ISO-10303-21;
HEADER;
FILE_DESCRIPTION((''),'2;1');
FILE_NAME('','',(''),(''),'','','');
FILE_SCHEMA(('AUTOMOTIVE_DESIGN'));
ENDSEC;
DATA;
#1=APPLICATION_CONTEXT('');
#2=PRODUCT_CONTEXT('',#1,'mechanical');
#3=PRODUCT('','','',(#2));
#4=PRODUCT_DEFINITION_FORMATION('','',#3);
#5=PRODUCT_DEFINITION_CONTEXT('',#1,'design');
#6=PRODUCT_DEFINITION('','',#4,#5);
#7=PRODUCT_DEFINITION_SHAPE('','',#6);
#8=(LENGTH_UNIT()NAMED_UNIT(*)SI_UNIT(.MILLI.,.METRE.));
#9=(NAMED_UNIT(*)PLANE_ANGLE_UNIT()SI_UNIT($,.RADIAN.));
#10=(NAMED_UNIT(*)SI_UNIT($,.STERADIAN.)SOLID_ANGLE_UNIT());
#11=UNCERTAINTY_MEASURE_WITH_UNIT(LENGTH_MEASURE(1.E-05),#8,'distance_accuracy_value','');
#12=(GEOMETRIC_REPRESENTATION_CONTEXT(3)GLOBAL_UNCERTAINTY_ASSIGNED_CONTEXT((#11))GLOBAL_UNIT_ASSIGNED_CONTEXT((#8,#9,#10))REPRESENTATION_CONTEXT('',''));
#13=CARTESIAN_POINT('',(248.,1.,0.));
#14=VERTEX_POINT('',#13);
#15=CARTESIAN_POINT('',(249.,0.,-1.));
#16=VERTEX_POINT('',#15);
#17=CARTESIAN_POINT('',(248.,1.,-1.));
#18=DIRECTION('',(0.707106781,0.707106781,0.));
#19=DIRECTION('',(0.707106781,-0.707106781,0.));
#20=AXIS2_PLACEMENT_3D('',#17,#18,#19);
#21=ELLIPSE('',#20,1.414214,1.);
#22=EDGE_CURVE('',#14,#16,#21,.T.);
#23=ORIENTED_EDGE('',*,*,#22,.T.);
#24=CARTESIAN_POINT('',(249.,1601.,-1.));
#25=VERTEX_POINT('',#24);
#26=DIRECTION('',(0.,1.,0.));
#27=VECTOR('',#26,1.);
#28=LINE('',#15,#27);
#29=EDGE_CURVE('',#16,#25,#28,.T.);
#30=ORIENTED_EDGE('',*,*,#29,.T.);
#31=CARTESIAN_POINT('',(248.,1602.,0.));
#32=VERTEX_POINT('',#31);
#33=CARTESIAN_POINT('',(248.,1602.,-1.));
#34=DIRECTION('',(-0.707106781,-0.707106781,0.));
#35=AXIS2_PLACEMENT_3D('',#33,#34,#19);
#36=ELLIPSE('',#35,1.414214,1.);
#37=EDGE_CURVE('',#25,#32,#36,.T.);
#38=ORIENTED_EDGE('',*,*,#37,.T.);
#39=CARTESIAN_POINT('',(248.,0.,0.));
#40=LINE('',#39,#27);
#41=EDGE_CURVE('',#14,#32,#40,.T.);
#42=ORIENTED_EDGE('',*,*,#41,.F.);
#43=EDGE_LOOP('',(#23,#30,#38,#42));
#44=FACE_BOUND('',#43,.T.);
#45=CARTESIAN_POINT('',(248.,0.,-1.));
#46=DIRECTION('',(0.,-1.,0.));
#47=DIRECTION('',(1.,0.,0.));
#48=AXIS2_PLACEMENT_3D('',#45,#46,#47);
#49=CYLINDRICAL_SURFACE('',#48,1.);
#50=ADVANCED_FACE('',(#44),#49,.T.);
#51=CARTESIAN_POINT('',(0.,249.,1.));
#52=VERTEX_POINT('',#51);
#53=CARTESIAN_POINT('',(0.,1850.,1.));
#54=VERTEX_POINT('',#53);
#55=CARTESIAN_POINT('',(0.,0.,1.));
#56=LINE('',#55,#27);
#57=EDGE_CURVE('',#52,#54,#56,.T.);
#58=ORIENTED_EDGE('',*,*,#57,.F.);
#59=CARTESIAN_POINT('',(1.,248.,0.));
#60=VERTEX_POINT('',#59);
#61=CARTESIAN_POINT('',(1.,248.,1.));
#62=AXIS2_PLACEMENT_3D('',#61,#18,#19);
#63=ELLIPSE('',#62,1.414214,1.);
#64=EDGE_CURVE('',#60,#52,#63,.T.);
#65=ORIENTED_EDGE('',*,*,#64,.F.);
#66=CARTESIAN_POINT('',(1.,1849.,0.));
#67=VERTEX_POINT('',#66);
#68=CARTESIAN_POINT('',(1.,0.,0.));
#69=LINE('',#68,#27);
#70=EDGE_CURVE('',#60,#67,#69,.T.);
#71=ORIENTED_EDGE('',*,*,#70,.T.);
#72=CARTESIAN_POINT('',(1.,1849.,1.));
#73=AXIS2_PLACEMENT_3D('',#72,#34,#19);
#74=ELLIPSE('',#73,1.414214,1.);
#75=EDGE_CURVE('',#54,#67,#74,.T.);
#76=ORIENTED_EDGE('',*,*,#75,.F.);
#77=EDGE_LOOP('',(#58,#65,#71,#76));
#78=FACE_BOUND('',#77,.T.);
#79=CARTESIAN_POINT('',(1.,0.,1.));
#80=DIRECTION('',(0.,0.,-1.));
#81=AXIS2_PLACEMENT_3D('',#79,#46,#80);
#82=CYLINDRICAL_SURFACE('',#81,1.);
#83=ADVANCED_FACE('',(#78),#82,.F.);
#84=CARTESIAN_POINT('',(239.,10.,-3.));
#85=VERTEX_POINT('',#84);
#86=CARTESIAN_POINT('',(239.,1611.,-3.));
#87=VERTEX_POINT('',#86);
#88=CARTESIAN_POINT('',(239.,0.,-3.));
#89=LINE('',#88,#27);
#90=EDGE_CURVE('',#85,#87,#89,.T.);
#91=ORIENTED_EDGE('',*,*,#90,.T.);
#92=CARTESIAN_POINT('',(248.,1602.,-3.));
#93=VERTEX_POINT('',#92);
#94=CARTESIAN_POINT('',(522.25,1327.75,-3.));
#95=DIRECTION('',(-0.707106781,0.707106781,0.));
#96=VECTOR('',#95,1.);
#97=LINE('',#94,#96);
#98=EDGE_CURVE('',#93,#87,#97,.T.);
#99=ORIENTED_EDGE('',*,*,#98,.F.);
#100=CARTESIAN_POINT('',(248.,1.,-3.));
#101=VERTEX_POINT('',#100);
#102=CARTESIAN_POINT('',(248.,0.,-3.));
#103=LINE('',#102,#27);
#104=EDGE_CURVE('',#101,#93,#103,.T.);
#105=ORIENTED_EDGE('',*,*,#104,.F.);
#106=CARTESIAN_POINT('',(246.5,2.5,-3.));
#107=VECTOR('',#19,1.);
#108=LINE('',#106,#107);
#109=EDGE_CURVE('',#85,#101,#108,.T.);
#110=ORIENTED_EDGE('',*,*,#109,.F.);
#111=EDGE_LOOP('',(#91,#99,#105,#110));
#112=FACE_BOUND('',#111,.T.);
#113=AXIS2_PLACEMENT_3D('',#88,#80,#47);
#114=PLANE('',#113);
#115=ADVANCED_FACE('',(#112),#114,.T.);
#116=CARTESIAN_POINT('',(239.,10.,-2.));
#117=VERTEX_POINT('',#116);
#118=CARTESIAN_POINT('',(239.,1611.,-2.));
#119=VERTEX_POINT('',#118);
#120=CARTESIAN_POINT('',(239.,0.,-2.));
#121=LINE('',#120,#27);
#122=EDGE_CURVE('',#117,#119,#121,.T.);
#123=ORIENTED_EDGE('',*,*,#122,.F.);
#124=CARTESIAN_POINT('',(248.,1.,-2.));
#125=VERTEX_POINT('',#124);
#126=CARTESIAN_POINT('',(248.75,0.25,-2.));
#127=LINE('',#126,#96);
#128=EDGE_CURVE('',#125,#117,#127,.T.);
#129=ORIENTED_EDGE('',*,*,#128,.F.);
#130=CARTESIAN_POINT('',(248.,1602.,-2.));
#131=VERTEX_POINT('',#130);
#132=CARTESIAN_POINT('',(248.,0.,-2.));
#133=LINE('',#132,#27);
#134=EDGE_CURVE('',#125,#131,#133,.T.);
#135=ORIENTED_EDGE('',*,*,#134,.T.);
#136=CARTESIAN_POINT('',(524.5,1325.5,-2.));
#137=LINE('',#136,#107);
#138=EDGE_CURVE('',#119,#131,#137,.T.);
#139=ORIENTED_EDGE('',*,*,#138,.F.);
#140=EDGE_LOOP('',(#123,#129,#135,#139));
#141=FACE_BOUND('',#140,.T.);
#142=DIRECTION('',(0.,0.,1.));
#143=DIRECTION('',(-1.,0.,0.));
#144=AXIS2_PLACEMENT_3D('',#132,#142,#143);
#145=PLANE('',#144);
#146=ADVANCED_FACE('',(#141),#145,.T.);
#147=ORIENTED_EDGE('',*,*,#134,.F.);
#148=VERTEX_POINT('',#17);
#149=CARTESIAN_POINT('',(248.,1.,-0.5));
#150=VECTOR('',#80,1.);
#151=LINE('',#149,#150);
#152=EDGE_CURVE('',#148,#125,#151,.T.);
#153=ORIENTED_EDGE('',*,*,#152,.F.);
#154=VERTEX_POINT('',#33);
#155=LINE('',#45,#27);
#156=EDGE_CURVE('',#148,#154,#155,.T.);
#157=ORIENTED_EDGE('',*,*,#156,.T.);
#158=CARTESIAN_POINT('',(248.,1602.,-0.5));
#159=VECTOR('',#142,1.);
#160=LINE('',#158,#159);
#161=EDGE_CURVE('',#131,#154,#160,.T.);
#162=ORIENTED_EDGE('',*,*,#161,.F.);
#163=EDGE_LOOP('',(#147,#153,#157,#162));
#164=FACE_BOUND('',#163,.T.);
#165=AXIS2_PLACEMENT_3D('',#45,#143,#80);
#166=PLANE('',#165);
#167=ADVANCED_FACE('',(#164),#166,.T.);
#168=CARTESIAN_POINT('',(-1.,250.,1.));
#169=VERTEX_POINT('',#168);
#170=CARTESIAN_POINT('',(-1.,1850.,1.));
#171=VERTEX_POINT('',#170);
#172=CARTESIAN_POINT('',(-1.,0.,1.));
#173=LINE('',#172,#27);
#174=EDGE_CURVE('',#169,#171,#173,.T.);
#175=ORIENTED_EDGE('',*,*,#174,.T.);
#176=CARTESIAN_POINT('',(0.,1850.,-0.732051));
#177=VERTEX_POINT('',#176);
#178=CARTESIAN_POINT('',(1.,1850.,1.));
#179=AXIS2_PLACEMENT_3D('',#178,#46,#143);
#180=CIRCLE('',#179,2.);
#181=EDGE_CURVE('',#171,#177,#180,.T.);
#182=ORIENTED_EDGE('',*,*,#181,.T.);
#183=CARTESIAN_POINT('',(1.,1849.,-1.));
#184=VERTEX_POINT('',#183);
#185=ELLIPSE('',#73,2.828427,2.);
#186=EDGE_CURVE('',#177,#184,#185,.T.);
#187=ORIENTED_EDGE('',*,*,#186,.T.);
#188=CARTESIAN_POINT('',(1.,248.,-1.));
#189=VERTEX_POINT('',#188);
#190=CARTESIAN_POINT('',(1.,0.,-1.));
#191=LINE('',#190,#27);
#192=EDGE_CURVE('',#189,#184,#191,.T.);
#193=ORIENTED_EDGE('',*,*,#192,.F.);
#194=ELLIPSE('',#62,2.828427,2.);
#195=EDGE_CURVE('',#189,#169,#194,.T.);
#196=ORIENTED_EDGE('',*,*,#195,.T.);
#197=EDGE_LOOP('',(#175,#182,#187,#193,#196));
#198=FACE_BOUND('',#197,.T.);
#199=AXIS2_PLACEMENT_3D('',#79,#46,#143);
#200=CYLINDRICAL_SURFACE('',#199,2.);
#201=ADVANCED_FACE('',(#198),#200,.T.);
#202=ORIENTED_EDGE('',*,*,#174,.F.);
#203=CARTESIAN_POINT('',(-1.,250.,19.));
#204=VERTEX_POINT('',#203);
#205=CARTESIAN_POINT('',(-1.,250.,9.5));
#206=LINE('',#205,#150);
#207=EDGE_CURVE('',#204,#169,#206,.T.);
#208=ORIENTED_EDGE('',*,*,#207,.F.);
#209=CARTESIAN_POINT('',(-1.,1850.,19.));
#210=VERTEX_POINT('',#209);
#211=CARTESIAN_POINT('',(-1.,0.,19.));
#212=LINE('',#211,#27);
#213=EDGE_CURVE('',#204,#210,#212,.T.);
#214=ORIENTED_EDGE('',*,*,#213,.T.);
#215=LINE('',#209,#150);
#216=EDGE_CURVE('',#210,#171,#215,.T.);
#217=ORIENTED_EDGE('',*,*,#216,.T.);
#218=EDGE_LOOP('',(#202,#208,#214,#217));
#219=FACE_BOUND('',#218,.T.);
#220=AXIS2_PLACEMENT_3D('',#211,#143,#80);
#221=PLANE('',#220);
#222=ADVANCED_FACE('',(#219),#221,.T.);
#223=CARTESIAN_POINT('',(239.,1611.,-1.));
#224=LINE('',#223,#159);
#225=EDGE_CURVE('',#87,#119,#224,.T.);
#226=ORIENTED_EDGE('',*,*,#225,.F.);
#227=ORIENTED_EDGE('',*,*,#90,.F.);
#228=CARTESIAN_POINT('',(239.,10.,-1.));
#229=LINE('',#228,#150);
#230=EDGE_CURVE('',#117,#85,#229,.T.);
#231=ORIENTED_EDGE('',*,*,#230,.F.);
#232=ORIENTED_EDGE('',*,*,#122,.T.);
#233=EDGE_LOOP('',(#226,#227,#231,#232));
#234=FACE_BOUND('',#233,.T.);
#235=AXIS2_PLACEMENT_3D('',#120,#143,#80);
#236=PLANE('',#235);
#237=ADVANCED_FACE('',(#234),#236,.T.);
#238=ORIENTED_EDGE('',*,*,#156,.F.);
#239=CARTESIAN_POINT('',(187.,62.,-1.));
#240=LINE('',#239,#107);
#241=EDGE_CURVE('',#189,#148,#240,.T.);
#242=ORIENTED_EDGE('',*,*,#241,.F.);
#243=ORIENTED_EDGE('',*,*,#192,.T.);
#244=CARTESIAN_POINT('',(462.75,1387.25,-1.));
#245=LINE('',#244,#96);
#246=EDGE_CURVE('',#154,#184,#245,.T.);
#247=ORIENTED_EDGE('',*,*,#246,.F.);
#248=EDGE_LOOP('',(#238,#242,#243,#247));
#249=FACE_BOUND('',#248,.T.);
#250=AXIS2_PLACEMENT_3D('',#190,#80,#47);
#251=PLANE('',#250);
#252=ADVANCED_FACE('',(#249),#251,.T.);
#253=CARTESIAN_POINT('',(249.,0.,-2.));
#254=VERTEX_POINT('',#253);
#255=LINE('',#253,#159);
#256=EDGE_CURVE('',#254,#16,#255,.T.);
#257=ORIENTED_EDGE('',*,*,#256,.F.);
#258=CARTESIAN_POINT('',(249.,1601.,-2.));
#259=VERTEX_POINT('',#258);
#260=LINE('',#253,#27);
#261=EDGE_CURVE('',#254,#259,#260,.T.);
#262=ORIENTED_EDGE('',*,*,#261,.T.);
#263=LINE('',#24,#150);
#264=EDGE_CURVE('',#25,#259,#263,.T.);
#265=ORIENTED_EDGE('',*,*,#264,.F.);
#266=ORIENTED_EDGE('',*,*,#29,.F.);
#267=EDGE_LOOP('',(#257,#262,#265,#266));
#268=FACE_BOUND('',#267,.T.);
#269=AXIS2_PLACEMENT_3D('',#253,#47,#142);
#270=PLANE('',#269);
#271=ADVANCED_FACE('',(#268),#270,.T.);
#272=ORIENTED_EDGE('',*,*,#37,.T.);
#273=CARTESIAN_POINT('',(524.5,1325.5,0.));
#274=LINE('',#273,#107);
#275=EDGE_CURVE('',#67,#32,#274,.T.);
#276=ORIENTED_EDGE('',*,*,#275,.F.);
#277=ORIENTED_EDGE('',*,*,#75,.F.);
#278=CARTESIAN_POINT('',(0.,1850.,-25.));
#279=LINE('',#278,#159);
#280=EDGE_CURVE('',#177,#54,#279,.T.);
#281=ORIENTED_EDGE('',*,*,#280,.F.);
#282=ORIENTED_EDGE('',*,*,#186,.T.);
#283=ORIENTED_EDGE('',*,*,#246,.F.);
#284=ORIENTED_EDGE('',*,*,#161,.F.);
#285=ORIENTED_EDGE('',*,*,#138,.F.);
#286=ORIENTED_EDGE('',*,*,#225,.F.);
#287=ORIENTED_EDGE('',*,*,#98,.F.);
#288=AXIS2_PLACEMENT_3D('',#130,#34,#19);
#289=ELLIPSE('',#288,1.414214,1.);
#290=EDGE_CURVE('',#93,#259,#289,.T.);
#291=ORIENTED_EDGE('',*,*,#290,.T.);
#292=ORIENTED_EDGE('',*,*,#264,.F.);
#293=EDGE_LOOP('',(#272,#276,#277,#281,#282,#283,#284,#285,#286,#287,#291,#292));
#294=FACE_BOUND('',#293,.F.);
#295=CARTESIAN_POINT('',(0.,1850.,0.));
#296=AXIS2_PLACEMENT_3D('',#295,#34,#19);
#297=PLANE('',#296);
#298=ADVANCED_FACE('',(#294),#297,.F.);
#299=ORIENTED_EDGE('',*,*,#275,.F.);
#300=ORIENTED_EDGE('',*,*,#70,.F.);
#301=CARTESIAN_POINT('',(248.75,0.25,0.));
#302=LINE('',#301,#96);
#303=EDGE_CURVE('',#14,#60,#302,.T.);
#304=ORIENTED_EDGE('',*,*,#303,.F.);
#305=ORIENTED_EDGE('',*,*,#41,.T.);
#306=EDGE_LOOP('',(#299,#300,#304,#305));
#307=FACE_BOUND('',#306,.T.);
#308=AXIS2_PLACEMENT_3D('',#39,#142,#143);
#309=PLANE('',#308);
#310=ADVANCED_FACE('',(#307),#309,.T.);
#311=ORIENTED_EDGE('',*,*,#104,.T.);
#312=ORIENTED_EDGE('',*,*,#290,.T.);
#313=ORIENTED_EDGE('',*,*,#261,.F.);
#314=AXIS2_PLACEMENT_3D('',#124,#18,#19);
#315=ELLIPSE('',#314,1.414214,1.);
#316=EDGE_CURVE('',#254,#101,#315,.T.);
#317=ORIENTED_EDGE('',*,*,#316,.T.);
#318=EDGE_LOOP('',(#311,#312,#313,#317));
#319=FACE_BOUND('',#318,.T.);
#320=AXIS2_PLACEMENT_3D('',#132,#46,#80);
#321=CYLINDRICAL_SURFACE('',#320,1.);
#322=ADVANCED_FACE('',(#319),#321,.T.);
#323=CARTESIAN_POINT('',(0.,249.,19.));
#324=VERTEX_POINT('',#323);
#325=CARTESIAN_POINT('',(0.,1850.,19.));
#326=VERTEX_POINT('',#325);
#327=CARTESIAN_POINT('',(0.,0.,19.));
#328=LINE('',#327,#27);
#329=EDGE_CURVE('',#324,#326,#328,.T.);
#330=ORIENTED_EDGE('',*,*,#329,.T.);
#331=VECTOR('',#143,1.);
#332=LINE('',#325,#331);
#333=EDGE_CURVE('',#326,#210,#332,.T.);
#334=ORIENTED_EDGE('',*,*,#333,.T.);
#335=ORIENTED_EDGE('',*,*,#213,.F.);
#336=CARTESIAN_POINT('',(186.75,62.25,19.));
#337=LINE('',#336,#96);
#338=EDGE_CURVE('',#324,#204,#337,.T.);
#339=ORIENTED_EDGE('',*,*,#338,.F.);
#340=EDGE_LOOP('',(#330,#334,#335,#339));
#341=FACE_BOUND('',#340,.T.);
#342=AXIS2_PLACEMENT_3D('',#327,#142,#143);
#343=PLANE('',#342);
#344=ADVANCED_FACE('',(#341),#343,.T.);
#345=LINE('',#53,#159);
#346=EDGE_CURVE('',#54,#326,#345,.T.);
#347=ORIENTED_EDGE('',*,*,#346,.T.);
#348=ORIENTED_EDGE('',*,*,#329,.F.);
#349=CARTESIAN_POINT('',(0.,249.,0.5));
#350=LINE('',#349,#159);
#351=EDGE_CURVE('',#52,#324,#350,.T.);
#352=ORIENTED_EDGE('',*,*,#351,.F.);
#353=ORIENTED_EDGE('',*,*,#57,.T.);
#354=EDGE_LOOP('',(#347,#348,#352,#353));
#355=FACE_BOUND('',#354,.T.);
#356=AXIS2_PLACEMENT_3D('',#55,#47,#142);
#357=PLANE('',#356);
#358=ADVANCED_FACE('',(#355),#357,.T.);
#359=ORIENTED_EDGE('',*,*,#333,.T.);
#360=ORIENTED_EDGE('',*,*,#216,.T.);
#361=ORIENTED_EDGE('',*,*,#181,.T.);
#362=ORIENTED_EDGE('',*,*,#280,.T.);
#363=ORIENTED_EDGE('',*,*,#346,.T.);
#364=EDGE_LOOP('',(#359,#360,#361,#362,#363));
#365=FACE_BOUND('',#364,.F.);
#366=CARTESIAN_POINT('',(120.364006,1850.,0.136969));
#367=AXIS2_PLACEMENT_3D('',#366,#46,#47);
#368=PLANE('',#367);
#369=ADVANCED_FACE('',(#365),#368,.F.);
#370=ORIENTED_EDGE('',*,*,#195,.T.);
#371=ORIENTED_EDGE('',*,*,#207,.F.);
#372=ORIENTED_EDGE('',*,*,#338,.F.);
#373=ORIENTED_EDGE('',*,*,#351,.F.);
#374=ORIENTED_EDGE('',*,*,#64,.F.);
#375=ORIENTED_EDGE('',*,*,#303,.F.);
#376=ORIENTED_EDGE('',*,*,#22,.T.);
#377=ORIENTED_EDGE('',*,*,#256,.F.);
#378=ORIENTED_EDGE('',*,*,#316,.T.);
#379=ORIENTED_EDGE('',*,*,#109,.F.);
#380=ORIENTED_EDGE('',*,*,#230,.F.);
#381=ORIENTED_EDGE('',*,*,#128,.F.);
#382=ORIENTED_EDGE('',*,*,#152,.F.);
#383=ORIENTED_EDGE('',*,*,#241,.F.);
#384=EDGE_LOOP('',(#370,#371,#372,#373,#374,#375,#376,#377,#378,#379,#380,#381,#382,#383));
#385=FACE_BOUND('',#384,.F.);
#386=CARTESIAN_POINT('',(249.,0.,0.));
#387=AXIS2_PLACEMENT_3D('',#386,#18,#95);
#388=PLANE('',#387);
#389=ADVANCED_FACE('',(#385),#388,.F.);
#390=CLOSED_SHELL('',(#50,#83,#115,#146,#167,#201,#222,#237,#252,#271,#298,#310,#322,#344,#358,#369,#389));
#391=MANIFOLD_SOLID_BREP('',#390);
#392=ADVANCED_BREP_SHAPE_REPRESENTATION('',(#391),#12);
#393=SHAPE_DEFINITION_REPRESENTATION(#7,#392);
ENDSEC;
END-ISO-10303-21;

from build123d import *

# Parameters (mm, degrees)
F1_DEPTH = 1850
F3_DEPTH = 25
F5_DEPTH = 25


with BuildPart() as f1:
    # F0 (on Front) → F1 (new body)
    with BuildSketch(Plane.XZ):
        with BuildLine():
            Line((0, 1), (0, 19))
            Line((0, 19), (-1, 19))
            Line((-1, 19), (-1, 1))
            ThreePointArc((-1, 1), (-0.4142135624, -0.4142135624), (1, -1))
            Line((1, -1), (248, -1))
            Line((248, -1), (248, -2))
            Line((248, -2), (239, -2))
            Line((239, -2), (239, -3))
            Line((239, -3), (248, -3))
            ThreePointArc((248, -3), (248.7071067812, -2.7071067812), (249, -2))
            Line((249, -2), (249, -1))
            ThreePointArc((249, -1), (248.7071067812, -0.2928932188), (248, 0))
            Line((248, 0), (1, 0))
            ThreePointArc((1, 0), (0.2928932188, 0.2928932188), (0, 1))
        make_face()
    extrude(amount=-F1_DEPTH)

    # F2 (on face) → F3 (cut, symmetric)
    with BuildSketch(Plane.XY):
        Polygon((249, -77.7916684747), (249, 0), (-151, 400), (-151, 0), (-141.1382748954, -77.7916684747), align=None)
    extrude(amount=F3_DEPTH, both=True, mode=Mode.SUBTRACT)

    # F4 (on face) → F5 (cut, symmetric)
    with BuildSketch(Plane.XY):
        Polygon((0, 1893.902085615), (0, 1850), (456.097914385, 1393.902085615), (456.097914385, 1893.902085615), align=None)
    extrude(amount=F5_DEPTH, both=True, mode=Mode.SUBTRACT)


solid = f1.part
